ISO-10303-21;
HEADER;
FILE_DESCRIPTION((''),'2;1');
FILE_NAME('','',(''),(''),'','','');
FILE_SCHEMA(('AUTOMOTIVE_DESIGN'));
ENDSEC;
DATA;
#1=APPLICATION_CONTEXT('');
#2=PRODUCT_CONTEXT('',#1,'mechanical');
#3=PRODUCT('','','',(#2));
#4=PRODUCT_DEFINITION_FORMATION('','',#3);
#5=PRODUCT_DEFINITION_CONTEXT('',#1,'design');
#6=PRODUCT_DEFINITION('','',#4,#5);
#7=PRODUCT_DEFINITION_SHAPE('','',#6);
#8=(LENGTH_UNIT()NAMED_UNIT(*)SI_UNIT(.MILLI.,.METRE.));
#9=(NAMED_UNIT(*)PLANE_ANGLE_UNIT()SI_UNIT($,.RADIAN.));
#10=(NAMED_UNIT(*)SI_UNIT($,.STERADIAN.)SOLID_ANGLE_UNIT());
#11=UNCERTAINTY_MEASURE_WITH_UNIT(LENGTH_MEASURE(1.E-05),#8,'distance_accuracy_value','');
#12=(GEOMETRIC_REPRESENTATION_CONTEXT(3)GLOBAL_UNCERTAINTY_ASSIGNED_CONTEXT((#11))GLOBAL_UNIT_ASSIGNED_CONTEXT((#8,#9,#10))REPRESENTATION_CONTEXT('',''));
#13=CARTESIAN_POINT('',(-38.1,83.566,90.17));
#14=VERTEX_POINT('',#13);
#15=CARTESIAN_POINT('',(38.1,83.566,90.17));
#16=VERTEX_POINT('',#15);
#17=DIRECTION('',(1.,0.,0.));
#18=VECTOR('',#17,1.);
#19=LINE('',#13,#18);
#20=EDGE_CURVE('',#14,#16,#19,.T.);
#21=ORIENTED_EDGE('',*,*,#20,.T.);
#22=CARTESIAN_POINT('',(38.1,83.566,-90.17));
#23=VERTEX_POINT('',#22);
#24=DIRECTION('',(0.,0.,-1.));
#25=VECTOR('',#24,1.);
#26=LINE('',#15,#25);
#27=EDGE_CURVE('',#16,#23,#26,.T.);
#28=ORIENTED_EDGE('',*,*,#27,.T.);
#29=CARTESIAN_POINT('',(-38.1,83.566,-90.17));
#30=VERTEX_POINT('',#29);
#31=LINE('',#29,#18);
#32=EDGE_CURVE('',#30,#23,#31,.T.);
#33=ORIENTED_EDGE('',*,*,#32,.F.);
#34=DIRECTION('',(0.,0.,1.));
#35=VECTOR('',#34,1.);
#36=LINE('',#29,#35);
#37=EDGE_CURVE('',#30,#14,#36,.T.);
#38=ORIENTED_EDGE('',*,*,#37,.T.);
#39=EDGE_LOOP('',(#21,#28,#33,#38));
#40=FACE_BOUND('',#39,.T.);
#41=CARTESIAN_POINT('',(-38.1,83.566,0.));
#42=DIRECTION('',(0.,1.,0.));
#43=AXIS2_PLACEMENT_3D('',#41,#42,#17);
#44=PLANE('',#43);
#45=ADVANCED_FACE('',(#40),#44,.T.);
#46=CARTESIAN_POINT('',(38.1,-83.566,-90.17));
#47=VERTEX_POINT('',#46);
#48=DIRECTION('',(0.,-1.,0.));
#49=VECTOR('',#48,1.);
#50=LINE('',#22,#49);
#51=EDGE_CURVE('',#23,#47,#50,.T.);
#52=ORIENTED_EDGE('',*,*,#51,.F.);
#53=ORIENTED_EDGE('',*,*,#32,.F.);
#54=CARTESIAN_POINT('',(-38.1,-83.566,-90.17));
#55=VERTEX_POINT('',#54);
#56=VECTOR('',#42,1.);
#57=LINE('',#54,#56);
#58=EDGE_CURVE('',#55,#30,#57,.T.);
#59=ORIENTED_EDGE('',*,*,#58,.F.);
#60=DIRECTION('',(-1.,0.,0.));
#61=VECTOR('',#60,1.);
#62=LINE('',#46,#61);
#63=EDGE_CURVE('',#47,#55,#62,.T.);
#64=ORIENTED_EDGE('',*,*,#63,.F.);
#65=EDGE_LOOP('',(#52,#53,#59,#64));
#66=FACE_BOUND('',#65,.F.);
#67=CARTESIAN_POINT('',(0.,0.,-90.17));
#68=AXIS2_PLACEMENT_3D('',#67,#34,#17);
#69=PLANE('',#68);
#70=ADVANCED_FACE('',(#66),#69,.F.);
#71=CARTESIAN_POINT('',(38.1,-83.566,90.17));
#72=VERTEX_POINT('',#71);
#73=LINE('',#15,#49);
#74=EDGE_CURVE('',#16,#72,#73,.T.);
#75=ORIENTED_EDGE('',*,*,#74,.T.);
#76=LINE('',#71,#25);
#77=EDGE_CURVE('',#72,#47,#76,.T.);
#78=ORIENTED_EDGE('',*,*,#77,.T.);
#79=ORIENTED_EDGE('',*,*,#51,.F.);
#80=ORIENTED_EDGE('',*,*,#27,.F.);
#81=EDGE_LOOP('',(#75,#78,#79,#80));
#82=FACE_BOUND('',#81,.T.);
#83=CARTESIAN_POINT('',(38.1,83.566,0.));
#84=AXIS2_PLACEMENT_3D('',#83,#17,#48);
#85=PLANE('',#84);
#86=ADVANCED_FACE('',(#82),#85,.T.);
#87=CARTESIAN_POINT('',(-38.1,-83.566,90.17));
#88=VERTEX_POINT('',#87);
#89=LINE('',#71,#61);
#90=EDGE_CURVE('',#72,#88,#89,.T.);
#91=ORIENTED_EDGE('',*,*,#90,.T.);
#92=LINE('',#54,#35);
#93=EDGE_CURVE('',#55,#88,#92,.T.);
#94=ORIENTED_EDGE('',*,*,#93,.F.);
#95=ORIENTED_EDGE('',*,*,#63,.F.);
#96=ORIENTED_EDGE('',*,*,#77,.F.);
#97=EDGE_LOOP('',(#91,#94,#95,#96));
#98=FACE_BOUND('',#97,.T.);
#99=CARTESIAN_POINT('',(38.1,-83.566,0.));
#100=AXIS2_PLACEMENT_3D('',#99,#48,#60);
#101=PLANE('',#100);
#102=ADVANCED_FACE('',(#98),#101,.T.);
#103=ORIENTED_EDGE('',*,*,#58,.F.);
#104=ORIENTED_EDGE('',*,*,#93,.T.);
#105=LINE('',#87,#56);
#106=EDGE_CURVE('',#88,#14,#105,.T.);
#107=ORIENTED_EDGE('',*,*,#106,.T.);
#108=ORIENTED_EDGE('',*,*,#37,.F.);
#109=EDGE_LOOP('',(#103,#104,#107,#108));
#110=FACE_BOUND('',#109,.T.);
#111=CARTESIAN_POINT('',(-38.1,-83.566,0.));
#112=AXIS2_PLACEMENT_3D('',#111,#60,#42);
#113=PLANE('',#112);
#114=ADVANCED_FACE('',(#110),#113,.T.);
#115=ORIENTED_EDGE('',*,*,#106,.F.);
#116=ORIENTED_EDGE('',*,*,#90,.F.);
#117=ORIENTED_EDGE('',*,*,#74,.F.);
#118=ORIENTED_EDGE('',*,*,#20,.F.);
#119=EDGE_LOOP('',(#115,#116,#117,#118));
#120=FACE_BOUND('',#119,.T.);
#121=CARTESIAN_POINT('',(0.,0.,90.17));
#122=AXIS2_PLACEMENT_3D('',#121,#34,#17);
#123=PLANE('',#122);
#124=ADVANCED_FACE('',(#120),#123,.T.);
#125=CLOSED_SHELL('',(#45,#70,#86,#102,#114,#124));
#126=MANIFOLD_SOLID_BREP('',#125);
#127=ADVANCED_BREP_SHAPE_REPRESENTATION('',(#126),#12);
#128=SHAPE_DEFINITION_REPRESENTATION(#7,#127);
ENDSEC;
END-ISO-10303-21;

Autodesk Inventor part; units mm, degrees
ref_plane "YZ Plane" through (0, 0, 0) normal (1, 0, 0) x (0, 1, 0)
ref_plane "XZ Plane" through (0, 0, 0) normal (0, 1, 0) x (-1, 0, 0)
ref_plane "XY Plane" through (0, 0, 0) normal (0, 0, 1) x (1, 0, 0)
sketch "Sketch1" plane through (0, 0, 0) normal (0, 0, 1) x (1, 0, 0)
  line L0 (-38.1, 83.566) -> (38.1, 83.566)
  line L1 (38.1, 83.566) -> (38.1, -83.566)
  line L2 (38.1, -83.566) -> (-38.1, -83.566)
  line L3 (-38.1, -83.566) -> (-38.1, 83.566)
  line L4 (-38.1, 83.566) -> (38.1, -83.566) construction
  line L5 (38.1, 83.566) -> (-38.1, -83.566) construction
  point P0 (0, 0)
  dimension "d0" = 76.2
  dimension "d1" = 167.132
extrude "Extrusion1" add sketch "Sketch1" along normal mid plane 180.34
properties part number "Battery" material "PET Plastic"
